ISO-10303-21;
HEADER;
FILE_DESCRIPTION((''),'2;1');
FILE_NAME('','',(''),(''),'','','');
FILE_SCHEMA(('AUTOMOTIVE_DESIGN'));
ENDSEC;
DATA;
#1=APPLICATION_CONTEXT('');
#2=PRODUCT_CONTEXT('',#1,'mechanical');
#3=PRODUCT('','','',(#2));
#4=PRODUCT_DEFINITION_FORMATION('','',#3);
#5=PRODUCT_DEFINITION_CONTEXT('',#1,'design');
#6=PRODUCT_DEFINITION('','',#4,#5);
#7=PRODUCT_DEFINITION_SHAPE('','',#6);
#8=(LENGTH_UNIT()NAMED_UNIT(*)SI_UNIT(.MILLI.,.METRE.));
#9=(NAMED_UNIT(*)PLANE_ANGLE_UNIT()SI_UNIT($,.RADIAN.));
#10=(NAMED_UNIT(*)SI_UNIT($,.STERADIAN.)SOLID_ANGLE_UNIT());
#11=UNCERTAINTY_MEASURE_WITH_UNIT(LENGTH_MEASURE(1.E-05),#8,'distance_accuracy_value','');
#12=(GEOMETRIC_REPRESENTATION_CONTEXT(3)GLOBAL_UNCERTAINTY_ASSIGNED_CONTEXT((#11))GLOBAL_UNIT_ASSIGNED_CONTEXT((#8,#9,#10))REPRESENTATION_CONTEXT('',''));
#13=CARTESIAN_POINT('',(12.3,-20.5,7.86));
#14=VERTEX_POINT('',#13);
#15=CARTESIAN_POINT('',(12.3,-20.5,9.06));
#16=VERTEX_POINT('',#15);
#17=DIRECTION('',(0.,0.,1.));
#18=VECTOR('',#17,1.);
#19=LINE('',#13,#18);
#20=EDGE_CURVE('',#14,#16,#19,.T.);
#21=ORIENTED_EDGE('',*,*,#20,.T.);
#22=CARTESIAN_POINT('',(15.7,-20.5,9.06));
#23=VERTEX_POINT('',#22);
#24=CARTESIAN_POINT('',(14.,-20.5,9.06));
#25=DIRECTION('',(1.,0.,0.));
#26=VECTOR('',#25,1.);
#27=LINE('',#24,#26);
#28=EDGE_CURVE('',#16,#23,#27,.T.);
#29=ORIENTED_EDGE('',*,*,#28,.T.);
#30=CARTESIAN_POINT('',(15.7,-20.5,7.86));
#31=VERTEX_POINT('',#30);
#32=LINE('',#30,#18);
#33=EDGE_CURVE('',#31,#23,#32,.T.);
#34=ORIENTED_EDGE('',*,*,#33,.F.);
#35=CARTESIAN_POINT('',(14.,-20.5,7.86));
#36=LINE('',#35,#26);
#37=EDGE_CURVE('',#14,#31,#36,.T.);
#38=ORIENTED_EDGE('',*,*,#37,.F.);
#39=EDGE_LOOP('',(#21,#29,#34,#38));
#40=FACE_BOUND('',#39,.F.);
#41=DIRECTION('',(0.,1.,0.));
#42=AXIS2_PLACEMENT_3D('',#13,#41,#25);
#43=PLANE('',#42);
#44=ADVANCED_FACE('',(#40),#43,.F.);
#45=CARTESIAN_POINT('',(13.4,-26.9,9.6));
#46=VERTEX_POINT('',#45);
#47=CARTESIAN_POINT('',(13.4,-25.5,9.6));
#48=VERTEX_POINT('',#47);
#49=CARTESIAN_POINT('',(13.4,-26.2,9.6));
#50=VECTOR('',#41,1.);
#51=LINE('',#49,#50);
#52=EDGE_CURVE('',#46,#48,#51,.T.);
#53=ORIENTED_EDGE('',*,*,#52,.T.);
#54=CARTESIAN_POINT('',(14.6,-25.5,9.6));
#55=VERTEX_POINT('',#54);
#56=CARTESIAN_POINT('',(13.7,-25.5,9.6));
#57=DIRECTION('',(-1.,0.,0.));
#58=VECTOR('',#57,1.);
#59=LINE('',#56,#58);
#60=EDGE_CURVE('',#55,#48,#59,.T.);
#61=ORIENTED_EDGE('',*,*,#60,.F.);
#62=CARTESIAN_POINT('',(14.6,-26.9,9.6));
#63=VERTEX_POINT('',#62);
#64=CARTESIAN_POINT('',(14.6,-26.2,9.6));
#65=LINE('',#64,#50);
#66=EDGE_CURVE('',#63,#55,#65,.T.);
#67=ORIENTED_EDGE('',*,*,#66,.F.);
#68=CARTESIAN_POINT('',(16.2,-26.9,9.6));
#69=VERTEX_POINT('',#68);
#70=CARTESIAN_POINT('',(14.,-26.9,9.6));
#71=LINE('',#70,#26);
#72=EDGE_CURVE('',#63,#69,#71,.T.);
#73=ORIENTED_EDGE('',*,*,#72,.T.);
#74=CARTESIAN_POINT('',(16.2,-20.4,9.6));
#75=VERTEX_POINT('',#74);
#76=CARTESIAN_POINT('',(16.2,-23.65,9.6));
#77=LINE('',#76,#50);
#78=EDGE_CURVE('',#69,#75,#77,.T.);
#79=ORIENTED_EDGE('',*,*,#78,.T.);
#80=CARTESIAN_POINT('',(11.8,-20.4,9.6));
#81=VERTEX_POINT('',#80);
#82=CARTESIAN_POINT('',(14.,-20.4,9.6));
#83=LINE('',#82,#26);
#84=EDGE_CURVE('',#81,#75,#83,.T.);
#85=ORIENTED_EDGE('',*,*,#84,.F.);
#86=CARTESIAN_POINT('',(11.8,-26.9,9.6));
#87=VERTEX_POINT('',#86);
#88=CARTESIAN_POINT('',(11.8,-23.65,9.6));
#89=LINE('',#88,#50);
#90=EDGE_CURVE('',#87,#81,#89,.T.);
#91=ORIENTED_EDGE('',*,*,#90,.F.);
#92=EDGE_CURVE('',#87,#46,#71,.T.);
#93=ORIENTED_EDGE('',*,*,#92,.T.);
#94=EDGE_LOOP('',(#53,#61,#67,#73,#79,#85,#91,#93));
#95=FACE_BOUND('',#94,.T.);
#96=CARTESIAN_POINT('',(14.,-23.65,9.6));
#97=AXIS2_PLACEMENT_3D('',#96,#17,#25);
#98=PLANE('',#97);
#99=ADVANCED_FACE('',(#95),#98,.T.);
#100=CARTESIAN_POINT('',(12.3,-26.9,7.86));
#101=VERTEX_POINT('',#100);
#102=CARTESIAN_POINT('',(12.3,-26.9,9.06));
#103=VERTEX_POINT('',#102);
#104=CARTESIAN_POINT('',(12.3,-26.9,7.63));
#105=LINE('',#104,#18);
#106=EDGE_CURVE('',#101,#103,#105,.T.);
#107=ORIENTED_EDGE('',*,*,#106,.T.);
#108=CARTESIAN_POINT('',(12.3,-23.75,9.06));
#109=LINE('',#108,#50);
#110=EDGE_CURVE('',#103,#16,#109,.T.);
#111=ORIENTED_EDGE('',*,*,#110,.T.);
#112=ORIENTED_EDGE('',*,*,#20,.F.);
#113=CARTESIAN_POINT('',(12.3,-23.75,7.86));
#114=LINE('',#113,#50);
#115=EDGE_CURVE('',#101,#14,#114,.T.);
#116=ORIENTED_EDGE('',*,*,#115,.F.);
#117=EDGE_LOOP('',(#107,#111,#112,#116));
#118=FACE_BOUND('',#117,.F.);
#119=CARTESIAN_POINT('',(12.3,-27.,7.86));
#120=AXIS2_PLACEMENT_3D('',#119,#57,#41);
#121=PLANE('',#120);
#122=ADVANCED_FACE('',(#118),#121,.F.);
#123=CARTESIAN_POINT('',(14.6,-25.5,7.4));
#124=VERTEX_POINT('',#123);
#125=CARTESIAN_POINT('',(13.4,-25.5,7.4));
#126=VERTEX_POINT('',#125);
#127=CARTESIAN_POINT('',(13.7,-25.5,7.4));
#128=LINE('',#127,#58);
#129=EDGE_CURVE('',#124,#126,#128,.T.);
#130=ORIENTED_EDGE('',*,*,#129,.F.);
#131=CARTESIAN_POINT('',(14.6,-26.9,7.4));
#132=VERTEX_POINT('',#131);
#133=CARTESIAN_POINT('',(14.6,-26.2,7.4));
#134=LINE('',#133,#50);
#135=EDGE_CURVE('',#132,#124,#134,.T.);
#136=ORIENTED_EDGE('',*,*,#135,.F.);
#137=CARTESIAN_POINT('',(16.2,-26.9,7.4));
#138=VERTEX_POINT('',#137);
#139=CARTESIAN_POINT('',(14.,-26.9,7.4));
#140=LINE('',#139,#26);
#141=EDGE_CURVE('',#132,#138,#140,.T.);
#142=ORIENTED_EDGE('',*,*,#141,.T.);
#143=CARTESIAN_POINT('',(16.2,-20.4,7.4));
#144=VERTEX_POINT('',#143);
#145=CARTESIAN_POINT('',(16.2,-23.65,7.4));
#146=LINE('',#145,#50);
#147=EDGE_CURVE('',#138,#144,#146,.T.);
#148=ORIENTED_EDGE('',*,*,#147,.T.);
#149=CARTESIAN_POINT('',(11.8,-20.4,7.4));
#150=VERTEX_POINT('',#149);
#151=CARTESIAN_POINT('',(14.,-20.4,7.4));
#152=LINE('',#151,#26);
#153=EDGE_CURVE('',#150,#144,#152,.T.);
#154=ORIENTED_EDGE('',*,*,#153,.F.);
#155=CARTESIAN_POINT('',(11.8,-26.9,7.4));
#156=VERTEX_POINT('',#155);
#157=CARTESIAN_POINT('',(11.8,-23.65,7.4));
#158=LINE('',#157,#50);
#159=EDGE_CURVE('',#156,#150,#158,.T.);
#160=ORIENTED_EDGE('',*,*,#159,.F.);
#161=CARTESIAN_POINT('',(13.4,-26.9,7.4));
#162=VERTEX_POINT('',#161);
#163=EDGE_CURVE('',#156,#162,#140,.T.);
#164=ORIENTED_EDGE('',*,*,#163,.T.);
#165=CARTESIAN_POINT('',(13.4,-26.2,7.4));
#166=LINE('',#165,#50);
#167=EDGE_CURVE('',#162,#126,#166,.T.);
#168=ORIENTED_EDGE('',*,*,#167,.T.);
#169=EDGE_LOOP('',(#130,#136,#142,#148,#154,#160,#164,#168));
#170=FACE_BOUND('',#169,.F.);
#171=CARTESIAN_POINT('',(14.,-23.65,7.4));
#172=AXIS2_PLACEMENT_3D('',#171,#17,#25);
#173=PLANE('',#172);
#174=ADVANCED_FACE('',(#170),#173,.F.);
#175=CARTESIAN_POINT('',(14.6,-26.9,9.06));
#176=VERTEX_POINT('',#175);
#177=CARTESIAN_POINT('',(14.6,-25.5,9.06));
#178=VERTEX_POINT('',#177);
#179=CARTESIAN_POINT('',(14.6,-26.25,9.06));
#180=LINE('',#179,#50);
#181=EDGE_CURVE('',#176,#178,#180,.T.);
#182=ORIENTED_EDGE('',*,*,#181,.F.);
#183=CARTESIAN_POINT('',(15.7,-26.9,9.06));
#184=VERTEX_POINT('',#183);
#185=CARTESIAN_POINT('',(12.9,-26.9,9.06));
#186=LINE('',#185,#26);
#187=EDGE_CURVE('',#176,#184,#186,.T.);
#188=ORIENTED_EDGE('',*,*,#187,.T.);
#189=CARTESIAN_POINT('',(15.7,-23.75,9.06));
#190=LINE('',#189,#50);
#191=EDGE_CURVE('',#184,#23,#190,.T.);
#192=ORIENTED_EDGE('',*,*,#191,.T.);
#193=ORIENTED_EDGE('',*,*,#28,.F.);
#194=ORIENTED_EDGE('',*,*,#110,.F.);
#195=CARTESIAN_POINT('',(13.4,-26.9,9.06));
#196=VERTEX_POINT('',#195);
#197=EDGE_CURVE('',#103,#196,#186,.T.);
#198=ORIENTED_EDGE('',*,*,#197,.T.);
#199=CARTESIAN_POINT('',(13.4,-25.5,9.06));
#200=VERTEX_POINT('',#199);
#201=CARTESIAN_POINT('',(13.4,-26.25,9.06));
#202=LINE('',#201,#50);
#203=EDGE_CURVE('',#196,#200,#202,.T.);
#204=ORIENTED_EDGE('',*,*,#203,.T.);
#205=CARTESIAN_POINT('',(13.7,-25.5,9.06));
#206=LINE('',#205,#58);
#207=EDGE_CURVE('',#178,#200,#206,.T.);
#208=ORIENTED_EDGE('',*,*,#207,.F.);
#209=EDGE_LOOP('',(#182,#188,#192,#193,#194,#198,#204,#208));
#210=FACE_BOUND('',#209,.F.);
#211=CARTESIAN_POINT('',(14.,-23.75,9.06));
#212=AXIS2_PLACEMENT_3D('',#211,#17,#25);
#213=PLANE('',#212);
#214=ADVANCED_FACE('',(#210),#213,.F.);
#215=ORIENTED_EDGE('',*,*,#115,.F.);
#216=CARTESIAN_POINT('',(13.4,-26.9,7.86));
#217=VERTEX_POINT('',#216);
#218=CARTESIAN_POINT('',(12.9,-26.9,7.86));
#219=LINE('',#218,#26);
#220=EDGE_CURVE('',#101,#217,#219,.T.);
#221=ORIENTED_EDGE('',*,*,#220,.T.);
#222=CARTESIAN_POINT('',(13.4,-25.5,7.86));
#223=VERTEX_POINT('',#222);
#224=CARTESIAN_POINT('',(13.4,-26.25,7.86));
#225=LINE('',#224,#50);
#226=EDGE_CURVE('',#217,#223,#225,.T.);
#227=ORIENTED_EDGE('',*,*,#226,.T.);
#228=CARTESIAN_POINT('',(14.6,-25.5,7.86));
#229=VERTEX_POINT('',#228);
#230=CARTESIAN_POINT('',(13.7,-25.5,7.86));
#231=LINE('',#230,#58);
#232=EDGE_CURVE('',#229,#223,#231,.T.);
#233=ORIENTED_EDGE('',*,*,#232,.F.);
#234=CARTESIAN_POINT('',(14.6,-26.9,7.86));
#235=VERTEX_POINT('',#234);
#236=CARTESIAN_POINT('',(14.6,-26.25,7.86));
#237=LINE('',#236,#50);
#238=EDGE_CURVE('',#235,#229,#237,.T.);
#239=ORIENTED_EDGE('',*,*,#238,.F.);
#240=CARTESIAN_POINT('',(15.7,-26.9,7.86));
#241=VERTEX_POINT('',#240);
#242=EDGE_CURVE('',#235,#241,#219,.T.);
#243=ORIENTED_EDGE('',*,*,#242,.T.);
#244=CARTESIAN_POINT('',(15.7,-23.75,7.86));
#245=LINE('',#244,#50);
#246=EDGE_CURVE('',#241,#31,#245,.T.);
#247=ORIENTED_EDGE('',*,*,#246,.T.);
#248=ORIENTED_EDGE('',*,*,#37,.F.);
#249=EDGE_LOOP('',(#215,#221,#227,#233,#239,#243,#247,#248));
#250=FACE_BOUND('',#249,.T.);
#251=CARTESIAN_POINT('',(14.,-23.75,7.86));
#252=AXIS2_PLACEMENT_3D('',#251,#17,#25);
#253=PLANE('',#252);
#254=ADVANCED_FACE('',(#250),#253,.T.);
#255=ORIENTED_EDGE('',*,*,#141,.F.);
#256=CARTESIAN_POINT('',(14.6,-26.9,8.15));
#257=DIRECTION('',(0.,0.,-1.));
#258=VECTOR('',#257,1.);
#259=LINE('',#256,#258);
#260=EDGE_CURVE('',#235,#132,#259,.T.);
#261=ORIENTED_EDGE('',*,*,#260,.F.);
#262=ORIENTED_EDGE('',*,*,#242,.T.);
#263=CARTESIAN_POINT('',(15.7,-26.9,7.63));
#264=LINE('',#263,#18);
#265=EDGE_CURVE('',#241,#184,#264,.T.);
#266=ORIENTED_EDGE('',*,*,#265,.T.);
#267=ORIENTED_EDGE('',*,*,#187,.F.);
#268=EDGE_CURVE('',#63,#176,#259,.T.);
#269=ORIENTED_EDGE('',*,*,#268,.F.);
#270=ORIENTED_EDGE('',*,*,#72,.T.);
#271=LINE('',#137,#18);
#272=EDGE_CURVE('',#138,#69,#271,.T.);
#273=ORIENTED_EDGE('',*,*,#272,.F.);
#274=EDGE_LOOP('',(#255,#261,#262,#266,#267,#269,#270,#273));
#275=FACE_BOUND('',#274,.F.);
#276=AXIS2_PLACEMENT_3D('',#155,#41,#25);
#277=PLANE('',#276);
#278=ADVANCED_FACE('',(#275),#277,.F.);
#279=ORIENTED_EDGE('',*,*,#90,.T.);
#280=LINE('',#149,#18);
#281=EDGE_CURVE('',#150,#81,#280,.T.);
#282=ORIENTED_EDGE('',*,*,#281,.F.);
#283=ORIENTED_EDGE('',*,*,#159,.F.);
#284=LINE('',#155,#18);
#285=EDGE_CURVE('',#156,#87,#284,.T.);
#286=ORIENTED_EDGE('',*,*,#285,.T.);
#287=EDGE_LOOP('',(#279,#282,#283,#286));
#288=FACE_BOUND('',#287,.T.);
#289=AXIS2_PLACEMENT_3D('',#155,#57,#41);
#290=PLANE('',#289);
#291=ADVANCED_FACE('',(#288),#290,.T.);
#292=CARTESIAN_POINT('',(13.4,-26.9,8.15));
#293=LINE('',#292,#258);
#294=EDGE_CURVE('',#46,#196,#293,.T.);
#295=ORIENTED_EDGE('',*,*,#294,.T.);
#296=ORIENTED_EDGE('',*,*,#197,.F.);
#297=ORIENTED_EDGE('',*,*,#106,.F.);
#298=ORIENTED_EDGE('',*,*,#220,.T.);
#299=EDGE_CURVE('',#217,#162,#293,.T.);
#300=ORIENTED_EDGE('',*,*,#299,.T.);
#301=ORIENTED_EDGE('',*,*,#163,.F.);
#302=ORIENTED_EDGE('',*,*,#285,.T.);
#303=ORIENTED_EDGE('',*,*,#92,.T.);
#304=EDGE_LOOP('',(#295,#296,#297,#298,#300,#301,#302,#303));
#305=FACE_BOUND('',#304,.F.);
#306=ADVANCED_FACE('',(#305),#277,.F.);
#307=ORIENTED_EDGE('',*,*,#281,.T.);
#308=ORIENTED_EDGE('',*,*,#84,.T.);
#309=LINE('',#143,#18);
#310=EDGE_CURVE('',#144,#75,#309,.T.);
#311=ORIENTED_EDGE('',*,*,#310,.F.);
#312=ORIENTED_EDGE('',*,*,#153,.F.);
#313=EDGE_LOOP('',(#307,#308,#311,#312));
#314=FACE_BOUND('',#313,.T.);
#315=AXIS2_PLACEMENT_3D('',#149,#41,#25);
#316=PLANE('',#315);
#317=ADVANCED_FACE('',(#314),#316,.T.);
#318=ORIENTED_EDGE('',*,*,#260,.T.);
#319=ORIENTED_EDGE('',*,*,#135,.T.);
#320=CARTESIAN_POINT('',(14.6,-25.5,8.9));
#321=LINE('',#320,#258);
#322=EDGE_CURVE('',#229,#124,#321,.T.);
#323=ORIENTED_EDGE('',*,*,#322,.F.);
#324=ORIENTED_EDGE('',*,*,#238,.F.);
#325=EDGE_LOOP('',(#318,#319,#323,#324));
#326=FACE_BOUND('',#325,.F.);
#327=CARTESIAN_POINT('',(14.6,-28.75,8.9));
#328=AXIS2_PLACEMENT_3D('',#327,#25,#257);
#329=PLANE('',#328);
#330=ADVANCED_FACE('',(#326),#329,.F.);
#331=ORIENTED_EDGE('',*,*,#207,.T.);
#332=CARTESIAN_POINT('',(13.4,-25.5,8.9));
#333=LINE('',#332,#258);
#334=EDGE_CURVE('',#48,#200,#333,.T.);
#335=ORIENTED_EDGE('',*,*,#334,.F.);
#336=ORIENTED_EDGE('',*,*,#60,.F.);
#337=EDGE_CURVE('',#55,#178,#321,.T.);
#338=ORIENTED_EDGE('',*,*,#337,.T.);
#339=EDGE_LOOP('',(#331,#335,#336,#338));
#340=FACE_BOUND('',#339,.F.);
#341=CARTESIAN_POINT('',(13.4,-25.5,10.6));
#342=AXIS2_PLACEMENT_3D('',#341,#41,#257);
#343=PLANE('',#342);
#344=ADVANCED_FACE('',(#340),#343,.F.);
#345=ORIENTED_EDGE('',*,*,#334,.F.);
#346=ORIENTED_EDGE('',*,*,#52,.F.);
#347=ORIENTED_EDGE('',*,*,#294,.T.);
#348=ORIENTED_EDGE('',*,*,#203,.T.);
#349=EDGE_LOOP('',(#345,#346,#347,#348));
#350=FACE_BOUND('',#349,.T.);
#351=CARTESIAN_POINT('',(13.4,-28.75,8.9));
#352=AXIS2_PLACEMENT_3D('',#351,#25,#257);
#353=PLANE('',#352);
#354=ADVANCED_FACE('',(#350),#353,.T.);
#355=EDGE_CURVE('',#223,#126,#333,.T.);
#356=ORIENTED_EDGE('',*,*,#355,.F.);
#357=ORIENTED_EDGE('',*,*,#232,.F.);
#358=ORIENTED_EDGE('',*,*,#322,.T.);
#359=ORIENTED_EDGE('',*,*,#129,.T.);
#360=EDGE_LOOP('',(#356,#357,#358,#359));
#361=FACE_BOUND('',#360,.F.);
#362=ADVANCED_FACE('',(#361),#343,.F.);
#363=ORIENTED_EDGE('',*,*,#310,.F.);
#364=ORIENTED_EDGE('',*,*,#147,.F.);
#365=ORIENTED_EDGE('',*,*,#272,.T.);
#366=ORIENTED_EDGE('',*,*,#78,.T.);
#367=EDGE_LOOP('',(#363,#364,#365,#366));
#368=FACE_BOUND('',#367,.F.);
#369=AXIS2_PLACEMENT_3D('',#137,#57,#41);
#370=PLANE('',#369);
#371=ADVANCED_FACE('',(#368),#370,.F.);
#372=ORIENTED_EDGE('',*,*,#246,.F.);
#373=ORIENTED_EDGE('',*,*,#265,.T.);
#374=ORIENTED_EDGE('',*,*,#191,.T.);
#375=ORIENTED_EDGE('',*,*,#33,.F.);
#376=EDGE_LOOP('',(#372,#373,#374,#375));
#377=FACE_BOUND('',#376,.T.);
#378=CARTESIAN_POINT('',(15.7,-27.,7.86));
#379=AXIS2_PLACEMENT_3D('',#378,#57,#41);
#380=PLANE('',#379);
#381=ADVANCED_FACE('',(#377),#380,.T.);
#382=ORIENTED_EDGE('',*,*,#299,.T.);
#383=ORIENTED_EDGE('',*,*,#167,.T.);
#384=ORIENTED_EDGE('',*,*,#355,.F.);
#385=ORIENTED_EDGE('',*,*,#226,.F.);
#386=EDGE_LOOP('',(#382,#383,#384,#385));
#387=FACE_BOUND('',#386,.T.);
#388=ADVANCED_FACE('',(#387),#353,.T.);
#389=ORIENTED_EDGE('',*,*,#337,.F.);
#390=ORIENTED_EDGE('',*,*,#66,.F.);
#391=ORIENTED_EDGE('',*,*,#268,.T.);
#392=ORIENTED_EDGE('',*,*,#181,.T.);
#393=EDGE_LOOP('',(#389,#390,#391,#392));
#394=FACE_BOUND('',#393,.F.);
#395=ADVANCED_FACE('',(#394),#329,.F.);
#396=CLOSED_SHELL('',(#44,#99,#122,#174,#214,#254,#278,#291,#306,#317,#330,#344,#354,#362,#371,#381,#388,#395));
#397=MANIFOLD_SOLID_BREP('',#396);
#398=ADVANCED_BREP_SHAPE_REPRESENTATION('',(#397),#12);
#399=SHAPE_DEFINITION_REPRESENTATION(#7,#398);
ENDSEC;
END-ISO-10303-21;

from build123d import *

# Parameters (mm, degrees)
BOX310_W     = 3.4
BOX310_H     = 6.5
BOX310_DEPTH = 1.2
BOX309_W     = 3.4
BOX309_H     = 6.5
BOX309_DEPTH = 1.2
BOX308_W     = 4.4
BOX308_H     = 6.5
BOX308_DEPTH = 2.2


with BuildPart() as cubo295:
    # Box310 → Box310 (new body)
    with BuildSketch(Plane(origin=(15.8, -32, 13), x_dir=(0, 0, -1), z_dir=(1, 0, 0))):
        with Locations((1.7, 3.25)):
            Rectangle(BOX310_W, BOX310_H)
    extrude(amount=BOX310_DEPTH)


with BuildPart() as cubo294:
    # Box309 → Box309 (new body)
    with BuildSketch(Plane(origin=(14.7, -27, 10.26), x_dir=(1, 0, 0), z_dir=(0, 0, 1))):
        with Locations((1.7, 3.25)):
            Rectangle(BOX309_W, BOX309_H)
    extrude(amount=BOX309_DEPTH)


with BuildPart() as conectorunionpines001:
    # Box308 → Box308 (new body)
    with BuildSketch(Plane(origin=(14.2, -26.9, 9.8), x_dir=(1, 0, 0), z_dir=(0, 0, 1))):
        with Locations((2.2, 3.25)):
            Rectangle(BOX308_W, BOX308_H)
    extrude(amount=BOX308_DEPTH)

    # Cut350: cut Cubo294
    add(cubo294.part, mode=Mode.SUBTRACT)

    # Cut351: cut Cubo295
    add(cubo295.part, mode=Mode.SUBTRACT)


with BuildPart() as conectorunionpines001_1:
    # Cut351 placement: moved
    add(conectorunionpines001.part.moved(Location((-2.4, 0, -2.4))))


solid = conectorunionpines001_1.part
